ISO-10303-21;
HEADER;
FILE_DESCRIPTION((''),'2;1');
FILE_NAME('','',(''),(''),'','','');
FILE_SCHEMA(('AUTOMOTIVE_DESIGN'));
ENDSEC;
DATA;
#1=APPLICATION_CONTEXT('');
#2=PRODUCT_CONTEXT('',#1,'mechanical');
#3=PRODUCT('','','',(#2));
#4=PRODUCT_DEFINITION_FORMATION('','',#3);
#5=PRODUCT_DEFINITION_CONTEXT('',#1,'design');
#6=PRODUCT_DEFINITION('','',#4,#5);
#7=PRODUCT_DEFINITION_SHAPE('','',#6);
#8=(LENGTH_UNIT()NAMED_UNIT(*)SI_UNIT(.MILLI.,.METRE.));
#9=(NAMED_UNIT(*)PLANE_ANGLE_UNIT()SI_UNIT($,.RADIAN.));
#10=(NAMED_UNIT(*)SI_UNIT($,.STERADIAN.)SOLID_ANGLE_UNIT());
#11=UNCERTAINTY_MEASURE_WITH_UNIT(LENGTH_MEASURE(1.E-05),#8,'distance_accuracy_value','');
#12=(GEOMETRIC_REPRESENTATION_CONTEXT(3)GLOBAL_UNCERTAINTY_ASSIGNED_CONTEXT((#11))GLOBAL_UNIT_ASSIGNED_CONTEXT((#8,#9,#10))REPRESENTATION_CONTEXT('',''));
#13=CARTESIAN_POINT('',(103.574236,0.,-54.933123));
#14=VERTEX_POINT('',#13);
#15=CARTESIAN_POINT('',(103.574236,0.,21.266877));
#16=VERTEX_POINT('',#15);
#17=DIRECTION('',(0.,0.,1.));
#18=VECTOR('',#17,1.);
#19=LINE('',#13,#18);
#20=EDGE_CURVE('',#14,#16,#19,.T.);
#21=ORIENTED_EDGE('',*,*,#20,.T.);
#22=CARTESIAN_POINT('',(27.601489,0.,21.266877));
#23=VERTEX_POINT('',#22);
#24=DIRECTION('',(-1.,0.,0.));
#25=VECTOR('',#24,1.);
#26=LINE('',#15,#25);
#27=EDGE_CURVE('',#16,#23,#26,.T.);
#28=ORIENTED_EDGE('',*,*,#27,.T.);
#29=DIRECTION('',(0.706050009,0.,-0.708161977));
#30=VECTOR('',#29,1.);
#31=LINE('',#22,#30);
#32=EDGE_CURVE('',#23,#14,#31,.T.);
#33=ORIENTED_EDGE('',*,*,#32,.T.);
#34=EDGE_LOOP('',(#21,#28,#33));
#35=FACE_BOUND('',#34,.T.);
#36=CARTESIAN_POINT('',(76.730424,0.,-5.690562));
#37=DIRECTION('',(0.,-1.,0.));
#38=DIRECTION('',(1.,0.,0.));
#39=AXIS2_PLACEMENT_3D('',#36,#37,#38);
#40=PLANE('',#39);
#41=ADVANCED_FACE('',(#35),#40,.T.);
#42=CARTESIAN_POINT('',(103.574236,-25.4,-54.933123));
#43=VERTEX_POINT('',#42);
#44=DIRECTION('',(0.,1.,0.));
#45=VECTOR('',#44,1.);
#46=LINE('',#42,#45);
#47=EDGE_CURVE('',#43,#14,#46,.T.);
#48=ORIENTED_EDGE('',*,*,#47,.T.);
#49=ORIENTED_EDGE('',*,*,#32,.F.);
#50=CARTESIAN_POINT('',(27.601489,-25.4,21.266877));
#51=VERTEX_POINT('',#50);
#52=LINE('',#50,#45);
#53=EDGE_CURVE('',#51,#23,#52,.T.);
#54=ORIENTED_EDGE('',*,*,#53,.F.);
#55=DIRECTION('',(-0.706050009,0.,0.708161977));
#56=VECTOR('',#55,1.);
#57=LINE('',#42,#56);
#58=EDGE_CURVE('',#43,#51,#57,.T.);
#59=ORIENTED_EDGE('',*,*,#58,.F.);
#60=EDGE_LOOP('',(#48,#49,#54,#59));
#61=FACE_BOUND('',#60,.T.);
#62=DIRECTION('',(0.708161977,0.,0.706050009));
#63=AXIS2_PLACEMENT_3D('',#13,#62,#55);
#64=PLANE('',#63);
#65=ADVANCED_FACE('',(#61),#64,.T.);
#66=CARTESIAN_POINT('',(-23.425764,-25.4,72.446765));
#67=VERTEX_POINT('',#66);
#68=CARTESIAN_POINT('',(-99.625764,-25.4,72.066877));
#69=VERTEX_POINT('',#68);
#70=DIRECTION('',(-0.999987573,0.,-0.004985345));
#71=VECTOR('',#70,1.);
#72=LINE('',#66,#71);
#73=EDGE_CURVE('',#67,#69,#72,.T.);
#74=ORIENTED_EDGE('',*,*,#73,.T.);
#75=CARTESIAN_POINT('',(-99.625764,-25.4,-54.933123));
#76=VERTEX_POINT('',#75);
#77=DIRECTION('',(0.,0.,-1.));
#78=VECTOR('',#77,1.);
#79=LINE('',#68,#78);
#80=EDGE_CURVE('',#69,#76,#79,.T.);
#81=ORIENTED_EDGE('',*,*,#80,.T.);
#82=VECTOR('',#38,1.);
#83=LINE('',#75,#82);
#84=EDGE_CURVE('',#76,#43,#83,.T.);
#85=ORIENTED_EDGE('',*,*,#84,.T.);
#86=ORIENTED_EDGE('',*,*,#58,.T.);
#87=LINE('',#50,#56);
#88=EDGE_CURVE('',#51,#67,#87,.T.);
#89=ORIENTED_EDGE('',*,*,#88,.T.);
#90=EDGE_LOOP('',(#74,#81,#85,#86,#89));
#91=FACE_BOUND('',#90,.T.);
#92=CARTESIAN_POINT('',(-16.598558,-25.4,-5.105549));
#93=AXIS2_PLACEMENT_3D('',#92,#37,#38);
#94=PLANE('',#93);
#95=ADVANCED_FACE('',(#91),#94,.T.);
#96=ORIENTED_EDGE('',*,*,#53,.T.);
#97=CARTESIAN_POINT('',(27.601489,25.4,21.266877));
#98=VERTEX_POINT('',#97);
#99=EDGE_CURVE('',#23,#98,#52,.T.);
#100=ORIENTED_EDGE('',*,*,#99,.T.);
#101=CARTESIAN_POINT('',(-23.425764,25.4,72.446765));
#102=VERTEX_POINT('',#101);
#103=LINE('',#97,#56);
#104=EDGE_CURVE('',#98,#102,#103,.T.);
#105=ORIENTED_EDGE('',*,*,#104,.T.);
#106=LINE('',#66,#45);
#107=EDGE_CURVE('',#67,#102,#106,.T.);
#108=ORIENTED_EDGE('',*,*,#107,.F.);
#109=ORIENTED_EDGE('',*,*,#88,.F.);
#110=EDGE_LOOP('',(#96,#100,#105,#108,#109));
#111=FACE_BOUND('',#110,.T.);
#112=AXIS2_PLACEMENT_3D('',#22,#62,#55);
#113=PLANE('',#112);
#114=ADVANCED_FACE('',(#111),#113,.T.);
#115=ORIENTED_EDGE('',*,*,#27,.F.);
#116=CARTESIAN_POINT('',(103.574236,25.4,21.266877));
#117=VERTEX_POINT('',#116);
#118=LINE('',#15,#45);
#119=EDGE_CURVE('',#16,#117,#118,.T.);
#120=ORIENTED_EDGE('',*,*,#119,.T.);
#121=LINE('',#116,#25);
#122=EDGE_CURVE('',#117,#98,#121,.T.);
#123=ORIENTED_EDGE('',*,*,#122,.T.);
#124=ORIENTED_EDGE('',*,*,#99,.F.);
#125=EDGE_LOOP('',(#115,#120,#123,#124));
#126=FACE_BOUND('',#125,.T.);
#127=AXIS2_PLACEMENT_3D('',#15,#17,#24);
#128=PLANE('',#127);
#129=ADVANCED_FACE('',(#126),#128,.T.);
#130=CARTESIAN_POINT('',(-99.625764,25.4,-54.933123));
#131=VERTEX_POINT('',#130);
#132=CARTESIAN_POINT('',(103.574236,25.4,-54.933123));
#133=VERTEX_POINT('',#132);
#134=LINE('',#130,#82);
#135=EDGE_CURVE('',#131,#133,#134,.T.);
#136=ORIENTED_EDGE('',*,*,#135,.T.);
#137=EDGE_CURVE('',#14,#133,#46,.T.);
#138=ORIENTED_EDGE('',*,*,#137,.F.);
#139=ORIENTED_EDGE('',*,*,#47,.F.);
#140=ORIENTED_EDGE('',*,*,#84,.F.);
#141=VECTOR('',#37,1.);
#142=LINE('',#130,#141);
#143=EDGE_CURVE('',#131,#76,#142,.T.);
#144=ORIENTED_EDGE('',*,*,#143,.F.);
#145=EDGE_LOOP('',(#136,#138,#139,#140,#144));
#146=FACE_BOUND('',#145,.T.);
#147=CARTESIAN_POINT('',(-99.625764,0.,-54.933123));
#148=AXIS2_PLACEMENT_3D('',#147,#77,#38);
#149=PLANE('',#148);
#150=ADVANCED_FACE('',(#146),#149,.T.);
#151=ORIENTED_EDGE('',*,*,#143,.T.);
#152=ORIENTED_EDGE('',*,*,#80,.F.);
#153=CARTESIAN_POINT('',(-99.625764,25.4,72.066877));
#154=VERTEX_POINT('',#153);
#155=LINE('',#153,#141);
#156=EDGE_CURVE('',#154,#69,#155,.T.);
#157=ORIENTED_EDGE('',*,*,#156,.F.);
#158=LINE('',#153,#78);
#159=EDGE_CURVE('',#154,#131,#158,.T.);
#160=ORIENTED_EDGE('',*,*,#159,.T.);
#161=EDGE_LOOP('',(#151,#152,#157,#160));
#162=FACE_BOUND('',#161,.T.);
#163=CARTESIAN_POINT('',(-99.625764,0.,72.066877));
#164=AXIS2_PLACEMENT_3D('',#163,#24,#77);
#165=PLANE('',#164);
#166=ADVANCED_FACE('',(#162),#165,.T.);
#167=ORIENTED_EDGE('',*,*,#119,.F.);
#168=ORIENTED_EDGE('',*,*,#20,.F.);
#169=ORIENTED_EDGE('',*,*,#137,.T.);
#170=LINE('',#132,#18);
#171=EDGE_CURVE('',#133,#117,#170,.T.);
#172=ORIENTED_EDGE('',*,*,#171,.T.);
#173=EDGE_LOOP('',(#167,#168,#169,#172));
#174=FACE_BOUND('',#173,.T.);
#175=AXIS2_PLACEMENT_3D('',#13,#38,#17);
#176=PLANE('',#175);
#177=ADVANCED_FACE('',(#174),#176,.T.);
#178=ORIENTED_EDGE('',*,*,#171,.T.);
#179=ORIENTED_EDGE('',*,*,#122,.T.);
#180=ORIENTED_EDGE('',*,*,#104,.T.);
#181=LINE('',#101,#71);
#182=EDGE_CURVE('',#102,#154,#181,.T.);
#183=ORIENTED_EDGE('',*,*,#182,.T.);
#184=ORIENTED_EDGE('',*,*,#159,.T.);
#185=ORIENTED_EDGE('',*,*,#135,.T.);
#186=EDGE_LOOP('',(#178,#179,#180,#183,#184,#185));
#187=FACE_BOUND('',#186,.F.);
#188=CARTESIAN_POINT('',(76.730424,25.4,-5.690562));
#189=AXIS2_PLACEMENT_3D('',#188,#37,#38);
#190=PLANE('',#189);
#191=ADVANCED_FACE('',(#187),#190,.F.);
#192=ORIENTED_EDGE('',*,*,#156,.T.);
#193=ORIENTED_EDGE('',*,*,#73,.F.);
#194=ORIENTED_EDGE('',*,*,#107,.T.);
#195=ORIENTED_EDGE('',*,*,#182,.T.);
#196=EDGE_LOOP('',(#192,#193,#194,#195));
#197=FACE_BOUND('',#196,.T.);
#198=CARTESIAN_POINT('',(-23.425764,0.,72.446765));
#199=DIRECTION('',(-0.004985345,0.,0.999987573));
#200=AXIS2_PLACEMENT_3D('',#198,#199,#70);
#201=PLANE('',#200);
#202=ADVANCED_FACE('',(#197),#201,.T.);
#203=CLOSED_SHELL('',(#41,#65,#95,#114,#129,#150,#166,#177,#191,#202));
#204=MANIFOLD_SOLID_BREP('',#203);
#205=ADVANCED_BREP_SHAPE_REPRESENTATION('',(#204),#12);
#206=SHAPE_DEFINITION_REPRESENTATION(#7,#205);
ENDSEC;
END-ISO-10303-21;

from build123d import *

# Parameters (mm, degrees)
F1_DEPTH = 25.4
F2_DEPTH = 25.4


with BuildPart() as f1:
    # F0 (on Front) → F1 (new body, symmetric)
    with BuildSketch(Plane.XZ):
        Polygon((-23.425764, 72.446765), (-99.625764, 72.066877), (-99.625764, -54.933123), (103.574236, -54.933123), (27.601489, 21.266877), align=None)
    extrude(amount=F1_DEPTH, both=True)

    # F0 (on Front) → F2 (join)
    with BuildSketch(Plane.XZ):
        Polygon((27.601489, 21.266877), (103.574236, -54.933123), (103.574236, 21.266877), align=None)
    extrude(amount=-F2_DEPTH)


solid = f1.part
